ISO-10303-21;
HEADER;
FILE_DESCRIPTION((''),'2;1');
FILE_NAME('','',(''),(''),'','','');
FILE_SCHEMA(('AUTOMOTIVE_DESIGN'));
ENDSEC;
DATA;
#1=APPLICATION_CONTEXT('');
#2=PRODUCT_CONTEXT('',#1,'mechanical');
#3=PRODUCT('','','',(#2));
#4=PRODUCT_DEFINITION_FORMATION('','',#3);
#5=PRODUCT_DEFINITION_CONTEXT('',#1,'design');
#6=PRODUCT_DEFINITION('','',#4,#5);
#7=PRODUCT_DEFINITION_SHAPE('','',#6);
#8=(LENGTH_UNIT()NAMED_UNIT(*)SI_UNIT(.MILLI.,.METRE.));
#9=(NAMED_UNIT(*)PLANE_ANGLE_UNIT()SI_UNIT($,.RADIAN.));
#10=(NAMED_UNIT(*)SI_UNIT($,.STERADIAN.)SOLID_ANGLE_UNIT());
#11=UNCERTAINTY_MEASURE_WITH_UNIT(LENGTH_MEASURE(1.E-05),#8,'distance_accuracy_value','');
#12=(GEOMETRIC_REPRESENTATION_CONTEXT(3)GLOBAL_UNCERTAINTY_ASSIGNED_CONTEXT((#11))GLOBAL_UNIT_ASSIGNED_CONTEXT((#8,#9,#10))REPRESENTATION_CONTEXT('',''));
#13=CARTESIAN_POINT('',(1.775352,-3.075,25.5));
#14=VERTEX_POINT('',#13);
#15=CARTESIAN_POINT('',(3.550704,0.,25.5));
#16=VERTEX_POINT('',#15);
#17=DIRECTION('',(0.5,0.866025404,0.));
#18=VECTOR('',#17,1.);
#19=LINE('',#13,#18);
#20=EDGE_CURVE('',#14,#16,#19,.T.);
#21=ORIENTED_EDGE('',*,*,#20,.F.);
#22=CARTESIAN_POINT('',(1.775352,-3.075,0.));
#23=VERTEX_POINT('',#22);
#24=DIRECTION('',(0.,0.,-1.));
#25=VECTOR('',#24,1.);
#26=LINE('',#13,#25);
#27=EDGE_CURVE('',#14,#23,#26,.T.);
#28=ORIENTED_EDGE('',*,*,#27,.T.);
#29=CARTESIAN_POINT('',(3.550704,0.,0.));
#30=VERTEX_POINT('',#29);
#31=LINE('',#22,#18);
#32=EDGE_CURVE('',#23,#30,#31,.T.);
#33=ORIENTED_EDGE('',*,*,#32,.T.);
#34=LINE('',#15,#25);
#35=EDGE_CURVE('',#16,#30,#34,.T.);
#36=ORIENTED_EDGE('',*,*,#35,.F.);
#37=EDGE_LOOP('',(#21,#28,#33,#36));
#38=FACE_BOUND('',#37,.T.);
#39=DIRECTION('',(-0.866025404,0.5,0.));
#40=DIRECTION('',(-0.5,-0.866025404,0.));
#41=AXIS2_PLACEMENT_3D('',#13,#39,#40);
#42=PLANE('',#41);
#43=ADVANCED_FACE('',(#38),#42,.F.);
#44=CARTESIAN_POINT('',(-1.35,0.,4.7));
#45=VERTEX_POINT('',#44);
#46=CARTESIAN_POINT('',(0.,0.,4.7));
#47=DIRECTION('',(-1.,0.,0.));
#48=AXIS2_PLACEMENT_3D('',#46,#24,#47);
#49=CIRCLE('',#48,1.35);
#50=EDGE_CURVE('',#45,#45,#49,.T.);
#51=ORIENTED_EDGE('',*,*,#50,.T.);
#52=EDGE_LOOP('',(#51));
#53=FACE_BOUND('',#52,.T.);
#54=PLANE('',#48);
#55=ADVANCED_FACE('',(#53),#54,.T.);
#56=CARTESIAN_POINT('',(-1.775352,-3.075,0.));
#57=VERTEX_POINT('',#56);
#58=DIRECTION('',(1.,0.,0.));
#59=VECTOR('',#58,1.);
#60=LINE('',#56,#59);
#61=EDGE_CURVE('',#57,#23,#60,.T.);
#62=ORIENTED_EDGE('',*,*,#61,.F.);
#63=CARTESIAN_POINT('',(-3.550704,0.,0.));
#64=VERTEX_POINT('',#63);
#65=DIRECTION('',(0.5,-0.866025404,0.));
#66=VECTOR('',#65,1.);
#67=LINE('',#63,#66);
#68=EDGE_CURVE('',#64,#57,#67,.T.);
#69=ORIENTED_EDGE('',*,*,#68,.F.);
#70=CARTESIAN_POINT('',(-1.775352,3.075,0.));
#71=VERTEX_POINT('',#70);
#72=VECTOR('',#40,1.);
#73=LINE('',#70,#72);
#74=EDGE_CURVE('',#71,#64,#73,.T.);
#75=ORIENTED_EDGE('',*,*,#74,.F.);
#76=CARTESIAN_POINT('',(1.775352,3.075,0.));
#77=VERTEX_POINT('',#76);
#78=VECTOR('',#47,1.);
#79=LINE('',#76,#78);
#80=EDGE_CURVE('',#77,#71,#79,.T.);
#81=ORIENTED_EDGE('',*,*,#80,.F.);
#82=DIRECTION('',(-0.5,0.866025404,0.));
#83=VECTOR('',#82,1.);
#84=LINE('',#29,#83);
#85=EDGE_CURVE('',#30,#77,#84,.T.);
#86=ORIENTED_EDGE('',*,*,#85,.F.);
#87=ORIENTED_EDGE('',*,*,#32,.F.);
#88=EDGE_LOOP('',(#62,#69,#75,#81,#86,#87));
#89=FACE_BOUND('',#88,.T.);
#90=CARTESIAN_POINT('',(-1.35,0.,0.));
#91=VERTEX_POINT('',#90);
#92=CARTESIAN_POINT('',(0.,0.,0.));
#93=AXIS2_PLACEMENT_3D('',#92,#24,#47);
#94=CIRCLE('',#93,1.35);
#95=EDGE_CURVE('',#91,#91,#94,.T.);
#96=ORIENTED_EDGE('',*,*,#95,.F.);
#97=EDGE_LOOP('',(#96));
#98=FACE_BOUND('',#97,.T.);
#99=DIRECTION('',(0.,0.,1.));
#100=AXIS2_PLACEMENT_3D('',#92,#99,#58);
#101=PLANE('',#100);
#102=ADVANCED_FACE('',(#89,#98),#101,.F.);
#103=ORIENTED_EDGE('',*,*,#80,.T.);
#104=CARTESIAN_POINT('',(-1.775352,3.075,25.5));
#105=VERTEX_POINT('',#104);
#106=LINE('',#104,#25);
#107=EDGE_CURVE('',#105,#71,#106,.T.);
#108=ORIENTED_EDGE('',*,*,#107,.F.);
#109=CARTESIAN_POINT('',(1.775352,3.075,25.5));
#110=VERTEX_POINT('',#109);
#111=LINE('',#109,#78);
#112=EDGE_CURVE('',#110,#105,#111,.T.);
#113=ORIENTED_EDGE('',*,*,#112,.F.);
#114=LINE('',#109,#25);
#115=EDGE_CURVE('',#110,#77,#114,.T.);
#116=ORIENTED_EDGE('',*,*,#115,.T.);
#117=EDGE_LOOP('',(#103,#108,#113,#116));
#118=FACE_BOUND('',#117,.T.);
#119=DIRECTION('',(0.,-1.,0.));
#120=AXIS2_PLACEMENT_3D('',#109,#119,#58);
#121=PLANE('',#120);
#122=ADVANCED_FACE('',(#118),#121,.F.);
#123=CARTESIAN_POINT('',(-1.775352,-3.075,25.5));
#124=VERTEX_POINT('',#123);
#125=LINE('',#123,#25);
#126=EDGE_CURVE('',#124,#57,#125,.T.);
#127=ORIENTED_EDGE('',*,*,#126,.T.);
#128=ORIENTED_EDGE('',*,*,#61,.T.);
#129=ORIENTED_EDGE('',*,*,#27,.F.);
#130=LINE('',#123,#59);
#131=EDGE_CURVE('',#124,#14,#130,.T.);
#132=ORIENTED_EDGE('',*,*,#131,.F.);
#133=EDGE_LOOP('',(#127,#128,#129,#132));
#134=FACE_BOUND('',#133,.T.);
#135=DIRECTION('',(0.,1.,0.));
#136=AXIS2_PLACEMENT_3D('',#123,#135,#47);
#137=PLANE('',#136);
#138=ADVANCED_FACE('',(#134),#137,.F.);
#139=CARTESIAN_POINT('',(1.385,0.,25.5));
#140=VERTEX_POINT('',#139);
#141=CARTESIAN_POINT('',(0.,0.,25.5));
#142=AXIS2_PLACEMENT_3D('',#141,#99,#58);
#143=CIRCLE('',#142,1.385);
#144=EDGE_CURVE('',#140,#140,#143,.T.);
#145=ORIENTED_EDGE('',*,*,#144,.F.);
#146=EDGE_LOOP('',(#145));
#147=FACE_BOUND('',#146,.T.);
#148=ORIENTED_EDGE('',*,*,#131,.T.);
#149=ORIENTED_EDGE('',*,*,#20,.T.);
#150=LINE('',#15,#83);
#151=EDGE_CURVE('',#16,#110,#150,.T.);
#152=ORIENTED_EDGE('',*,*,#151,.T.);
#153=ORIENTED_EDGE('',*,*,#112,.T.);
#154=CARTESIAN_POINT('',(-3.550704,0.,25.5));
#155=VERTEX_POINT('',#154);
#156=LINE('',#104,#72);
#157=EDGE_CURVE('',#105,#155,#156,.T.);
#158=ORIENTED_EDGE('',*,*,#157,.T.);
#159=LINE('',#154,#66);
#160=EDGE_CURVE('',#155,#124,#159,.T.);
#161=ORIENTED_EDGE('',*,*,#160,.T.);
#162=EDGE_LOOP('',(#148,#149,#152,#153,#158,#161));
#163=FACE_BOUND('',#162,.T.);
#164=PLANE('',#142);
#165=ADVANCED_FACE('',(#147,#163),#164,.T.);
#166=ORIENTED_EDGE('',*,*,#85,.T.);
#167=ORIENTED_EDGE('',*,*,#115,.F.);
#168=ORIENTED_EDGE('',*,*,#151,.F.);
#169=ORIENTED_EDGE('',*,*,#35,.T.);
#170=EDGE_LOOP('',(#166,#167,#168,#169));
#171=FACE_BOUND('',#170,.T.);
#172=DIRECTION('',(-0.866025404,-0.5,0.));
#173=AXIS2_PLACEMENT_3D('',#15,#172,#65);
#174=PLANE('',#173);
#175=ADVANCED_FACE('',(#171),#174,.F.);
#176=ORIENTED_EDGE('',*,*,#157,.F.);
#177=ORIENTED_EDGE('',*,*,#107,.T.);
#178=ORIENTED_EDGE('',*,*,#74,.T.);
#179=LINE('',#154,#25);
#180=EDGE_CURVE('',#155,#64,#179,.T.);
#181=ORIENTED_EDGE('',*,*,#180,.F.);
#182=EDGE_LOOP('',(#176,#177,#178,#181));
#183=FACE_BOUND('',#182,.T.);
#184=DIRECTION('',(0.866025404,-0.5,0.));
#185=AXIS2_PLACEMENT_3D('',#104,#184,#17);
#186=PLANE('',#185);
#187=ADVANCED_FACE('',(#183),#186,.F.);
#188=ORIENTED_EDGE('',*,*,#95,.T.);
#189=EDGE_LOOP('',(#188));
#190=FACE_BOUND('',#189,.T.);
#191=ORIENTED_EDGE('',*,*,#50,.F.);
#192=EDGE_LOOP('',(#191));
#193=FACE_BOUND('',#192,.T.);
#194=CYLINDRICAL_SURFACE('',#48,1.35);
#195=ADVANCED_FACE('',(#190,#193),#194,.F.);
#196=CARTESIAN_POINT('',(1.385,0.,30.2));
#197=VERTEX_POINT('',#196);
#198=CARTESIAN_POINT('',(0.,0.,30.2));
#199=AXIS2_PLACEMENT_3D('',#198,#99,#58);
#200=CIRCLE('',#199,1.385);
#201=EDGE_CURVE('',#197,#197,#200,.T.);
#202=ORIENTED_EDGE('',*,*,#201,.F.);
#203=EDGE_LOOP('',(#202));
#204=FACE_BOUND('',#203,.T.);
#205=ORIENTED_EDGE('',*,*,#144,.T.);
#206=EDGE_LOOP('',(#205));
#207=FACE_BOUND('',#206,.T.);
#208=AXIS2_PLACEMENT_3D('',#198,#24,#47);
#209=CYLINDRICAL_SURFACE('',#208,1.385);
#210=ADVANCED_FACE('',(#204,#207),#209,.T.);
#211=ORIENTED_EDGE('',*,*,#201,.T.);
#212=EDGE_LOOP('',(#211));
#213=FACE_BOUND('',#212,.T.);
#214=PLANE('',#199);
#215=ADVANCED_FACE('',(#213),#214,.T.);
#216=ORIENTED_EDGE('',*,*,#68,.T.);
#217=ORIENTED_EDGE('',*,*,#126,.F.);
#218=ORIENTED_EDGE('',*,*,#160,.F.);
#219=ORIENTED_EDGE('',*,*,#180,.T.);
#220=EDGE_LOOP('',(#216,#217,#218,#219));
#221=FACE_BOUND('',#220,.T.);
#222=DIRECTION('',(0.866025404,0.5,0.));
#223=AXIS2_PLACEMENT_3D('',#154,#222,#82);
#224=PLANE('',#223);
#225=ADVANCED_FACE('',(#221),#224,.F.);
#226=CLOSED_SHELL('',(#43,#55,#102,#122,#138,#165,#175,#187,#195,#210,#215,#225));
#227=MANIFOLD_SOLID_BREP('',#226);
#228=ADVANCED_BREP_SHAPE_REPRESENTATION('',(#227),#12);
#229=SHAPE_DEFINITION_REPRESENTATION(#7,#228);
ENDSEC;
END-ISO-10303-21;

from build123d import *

# Parameters (mm, degrees)
BOSS_EXTRU_1_DEPTH      = 25.5
ESQUISSE2_R             = 1.385
BOSS_EXTRU_2_DEPTH      = 4.7
ESQUISSE3_R             = 1.35
ENL_V_MAT_EXTRU_1_DEPTH = 4.7


with BuildPart() as part:
    # Esquisse1 → Boss.-Extru.1 (new body)
    with BuildSketch(Plane.XY):
        Polygon((3.550704156, 0), (1.775352078, 3.075), (-1.775352078, 3.075), (-3.550704156, 0), (-1.775352078, -3.075), (1.775352078, -3.075), align=None)
    extrude(amount=BOSS_EXTRU_1_DEPTH)

    # Esquisse2 → Boss.-Extru.2 (add)
    with BuildSketch(Plane.XY.offset(25.5)):
        Circle(ESQUISSE2_R)
    extrude(amount=BOSS_EXTRU_2_DEPTH)

    # Esquisse3 → Enlèv. mat.-Extru.1 (cut)
    with BuildSketch(Plane(origin=(0, 0, 0), x_dir=(-1, 0, 0), z_dir=(0, 0, -1))):
        Circle(ESQUISSE3_R)
    extrude(amount=-ENL_V_MAT_EXTRU_1_DEPTH, mode=Mode.SUBTRACT)


solid = part.part
